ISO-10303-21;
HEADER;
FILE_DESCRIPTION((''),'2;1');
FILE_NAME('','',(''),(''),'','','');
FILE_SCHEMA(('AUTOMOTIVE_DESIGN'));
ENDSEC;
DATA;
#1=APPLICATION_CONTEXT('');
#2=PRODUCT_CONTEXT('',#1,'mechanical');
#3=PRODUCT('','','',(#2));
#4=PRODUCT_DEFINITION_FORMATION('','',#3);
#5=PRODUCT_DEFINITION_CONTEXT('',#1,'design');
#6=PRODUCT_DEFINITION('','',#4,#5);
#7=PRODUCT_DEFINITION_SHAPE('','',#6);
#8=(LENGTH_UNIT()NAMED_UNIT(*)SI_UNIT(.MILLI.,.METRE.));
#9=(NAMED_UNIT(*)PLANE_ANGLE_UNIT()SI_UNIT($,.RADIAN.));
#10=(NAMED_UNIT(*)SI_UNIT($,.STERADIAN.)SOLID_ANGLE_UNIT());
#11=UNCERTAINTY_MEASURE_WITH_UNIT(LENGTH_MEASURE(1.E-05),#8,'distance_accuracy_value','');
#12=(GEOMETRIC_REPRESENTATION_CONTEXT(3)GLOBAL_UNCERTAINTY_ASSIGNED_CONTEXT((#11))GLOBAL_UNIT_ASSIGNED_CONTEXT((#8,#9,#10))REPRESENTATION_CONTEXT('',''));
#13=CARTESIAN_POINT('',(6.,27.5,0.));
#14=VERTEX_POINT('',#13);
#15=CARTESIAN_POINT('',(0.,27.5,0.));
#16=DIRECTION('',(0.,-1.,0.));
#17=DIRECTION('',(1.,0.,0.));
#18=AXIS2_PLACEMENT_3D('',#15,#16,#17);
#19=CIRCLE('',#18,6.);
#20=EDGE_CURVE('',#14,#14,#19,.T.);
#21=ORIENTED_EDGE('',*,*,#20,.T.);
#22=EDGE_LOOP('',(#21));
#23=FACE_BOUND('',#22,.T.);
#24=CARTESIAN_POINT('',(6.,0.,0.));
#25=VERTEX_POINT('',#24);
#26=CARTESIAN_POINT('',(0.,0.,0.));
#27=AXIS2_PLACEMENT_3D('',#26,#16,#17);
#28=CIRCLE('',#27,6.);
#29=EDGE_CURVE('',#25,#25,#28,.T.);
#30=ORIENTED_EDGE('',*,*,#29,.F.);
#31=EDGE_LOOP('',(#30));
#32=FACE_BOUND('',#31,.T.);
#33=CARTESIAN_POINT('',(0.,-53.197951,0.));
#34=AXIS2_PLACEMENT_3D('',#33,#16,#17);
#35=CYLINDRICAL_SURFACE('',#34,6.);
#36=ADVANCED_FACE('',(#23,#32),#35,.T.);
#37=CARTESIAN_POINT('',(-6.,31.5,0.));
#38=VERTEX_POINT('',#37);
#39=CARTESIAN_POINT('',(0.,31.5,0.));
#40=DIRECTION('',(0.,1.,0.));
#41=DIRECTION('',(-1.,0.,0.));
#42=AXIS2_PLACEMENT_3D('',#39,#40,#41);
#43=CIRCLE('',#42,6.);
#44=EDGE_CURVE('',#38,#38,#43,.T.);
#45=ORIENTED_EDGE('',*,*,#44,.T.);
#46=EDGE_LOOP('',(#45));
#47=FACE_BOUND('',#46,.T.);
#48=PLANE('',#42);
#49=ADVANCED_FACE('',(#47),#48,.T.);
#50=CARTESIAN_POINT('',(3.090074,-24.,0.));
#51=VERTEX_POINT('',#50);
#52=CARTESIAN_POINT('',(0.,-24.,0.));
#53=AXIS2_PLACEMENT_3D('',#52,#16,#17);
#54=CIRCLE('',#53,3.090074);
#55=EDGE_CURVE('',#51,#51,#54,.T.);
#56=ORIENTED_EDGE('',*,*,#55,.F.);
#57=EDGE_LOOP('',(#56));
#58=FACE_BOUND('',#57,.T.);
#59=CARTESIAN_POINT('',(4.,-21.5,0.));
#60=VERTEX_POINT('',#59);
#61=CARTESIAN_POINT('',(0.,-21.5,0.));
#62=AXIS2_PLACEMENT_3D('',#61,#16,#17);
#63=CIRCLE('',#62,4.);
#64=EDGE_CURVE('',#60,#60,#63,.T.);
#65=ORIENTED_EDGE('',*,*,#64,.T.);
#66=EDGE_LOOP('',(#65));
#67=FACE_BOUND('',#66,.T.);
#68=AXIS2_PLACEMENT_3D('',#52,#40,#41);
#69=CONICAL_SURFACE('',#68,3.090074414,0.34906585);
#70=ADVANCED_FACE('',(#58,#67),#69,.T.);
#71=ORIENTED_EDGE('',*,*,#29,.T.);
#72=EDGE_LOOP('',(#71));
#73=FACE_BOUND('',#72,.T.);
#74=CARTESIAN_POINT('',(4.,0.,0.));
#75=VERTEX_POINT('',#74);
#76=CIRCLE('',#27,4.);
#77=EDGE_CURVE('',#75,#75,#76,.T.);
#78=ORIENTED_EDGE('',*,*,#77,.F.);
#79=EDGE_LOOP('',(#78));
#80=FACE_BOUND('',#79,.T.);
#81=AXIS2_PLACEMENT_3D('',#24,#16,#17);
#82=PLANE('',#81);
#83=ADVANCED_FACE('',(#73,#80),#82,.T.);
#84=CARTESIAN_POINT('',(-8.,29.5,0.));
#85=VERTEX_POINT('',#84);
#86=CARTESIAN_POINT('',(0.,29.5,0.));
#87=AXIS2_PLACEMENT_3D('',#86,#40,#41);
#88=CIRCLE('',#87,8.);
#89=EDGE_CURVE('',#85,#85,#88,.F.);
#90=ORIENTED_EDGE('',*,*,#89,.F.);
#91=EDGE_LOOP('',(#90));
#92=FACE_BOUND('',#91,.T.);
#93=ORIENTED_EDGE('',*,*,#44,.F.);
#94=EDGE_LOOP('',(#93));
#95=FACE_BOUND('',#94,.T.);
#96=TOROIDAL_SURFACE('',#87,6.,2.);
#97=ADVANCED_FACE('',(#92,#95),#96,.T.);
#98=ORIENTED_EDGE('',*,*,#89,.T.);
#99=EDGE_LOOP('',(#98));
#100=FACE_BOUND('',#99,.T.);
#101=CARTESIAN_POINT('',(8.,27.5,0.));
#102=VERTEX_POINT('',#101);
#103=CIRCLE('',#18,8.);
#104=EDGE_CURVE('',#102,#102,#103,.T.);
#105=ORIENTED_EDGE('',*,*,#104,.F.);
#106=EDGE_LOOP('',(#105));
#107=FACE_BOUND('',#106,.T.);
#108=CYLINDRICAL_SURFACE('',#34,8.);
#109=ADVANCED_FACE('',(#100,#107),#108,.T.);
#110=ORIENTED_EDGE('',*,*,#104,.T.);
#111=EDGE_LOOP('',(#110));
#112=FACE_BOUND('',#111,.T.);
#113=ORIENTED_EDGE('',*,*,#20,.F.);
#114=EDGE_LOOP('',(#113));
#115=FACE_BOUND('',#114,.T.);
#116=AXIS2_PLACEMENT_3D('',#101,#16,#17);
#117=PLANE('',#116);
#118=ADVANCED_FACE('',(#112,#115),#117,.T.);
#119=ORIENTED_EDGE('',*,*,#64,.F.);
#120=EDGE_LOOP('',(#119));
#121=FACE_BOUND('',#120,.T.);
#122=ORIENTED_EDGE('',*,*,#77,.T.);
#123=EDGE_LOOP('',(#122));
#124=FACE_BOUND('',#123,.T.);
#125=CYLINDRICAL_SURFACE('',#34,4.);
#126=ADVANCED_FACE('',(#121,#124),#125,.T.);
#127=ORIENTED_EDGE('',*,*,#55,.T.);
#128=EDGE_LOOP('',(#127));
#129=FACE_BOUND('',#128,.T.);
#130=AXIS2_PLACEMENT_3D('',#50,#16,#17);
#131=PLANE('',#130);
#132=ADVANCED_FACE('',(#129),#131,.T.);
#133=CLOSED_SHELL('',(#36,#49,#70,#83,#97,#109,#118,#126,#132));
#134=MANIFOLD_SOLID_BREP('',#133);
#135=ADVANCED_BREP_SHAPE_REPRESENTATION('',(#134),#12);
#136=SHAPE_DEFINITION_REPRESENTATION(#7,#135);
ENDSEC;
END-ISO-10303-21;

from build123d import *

# Parameters (mm, degrees)
FILETE1_R = 2


with BuildPart() as part:
    # Esboço1 → Revolução1 (revolve)
    with BuildSketch(Plane.XY):
        Polygon((0, 31.5), (8, 31.5), (8, 27.5), (6, 27.5), (6, 0), (4, 0), (4, -21.5), (3.090074414, -24), (0, -24), align=None)
    revolve(axis=Axis((0, -53.197951274, 0), (0, 1, 0)))

    # Filete1
    filete1_edges = [part.edges().sort_by_distance(p)[0] for p in [
        (-8, 31.5, 0),
    ]]
    fillet(filete1_edges, radius=FILETE1_R)


solid = part.part
